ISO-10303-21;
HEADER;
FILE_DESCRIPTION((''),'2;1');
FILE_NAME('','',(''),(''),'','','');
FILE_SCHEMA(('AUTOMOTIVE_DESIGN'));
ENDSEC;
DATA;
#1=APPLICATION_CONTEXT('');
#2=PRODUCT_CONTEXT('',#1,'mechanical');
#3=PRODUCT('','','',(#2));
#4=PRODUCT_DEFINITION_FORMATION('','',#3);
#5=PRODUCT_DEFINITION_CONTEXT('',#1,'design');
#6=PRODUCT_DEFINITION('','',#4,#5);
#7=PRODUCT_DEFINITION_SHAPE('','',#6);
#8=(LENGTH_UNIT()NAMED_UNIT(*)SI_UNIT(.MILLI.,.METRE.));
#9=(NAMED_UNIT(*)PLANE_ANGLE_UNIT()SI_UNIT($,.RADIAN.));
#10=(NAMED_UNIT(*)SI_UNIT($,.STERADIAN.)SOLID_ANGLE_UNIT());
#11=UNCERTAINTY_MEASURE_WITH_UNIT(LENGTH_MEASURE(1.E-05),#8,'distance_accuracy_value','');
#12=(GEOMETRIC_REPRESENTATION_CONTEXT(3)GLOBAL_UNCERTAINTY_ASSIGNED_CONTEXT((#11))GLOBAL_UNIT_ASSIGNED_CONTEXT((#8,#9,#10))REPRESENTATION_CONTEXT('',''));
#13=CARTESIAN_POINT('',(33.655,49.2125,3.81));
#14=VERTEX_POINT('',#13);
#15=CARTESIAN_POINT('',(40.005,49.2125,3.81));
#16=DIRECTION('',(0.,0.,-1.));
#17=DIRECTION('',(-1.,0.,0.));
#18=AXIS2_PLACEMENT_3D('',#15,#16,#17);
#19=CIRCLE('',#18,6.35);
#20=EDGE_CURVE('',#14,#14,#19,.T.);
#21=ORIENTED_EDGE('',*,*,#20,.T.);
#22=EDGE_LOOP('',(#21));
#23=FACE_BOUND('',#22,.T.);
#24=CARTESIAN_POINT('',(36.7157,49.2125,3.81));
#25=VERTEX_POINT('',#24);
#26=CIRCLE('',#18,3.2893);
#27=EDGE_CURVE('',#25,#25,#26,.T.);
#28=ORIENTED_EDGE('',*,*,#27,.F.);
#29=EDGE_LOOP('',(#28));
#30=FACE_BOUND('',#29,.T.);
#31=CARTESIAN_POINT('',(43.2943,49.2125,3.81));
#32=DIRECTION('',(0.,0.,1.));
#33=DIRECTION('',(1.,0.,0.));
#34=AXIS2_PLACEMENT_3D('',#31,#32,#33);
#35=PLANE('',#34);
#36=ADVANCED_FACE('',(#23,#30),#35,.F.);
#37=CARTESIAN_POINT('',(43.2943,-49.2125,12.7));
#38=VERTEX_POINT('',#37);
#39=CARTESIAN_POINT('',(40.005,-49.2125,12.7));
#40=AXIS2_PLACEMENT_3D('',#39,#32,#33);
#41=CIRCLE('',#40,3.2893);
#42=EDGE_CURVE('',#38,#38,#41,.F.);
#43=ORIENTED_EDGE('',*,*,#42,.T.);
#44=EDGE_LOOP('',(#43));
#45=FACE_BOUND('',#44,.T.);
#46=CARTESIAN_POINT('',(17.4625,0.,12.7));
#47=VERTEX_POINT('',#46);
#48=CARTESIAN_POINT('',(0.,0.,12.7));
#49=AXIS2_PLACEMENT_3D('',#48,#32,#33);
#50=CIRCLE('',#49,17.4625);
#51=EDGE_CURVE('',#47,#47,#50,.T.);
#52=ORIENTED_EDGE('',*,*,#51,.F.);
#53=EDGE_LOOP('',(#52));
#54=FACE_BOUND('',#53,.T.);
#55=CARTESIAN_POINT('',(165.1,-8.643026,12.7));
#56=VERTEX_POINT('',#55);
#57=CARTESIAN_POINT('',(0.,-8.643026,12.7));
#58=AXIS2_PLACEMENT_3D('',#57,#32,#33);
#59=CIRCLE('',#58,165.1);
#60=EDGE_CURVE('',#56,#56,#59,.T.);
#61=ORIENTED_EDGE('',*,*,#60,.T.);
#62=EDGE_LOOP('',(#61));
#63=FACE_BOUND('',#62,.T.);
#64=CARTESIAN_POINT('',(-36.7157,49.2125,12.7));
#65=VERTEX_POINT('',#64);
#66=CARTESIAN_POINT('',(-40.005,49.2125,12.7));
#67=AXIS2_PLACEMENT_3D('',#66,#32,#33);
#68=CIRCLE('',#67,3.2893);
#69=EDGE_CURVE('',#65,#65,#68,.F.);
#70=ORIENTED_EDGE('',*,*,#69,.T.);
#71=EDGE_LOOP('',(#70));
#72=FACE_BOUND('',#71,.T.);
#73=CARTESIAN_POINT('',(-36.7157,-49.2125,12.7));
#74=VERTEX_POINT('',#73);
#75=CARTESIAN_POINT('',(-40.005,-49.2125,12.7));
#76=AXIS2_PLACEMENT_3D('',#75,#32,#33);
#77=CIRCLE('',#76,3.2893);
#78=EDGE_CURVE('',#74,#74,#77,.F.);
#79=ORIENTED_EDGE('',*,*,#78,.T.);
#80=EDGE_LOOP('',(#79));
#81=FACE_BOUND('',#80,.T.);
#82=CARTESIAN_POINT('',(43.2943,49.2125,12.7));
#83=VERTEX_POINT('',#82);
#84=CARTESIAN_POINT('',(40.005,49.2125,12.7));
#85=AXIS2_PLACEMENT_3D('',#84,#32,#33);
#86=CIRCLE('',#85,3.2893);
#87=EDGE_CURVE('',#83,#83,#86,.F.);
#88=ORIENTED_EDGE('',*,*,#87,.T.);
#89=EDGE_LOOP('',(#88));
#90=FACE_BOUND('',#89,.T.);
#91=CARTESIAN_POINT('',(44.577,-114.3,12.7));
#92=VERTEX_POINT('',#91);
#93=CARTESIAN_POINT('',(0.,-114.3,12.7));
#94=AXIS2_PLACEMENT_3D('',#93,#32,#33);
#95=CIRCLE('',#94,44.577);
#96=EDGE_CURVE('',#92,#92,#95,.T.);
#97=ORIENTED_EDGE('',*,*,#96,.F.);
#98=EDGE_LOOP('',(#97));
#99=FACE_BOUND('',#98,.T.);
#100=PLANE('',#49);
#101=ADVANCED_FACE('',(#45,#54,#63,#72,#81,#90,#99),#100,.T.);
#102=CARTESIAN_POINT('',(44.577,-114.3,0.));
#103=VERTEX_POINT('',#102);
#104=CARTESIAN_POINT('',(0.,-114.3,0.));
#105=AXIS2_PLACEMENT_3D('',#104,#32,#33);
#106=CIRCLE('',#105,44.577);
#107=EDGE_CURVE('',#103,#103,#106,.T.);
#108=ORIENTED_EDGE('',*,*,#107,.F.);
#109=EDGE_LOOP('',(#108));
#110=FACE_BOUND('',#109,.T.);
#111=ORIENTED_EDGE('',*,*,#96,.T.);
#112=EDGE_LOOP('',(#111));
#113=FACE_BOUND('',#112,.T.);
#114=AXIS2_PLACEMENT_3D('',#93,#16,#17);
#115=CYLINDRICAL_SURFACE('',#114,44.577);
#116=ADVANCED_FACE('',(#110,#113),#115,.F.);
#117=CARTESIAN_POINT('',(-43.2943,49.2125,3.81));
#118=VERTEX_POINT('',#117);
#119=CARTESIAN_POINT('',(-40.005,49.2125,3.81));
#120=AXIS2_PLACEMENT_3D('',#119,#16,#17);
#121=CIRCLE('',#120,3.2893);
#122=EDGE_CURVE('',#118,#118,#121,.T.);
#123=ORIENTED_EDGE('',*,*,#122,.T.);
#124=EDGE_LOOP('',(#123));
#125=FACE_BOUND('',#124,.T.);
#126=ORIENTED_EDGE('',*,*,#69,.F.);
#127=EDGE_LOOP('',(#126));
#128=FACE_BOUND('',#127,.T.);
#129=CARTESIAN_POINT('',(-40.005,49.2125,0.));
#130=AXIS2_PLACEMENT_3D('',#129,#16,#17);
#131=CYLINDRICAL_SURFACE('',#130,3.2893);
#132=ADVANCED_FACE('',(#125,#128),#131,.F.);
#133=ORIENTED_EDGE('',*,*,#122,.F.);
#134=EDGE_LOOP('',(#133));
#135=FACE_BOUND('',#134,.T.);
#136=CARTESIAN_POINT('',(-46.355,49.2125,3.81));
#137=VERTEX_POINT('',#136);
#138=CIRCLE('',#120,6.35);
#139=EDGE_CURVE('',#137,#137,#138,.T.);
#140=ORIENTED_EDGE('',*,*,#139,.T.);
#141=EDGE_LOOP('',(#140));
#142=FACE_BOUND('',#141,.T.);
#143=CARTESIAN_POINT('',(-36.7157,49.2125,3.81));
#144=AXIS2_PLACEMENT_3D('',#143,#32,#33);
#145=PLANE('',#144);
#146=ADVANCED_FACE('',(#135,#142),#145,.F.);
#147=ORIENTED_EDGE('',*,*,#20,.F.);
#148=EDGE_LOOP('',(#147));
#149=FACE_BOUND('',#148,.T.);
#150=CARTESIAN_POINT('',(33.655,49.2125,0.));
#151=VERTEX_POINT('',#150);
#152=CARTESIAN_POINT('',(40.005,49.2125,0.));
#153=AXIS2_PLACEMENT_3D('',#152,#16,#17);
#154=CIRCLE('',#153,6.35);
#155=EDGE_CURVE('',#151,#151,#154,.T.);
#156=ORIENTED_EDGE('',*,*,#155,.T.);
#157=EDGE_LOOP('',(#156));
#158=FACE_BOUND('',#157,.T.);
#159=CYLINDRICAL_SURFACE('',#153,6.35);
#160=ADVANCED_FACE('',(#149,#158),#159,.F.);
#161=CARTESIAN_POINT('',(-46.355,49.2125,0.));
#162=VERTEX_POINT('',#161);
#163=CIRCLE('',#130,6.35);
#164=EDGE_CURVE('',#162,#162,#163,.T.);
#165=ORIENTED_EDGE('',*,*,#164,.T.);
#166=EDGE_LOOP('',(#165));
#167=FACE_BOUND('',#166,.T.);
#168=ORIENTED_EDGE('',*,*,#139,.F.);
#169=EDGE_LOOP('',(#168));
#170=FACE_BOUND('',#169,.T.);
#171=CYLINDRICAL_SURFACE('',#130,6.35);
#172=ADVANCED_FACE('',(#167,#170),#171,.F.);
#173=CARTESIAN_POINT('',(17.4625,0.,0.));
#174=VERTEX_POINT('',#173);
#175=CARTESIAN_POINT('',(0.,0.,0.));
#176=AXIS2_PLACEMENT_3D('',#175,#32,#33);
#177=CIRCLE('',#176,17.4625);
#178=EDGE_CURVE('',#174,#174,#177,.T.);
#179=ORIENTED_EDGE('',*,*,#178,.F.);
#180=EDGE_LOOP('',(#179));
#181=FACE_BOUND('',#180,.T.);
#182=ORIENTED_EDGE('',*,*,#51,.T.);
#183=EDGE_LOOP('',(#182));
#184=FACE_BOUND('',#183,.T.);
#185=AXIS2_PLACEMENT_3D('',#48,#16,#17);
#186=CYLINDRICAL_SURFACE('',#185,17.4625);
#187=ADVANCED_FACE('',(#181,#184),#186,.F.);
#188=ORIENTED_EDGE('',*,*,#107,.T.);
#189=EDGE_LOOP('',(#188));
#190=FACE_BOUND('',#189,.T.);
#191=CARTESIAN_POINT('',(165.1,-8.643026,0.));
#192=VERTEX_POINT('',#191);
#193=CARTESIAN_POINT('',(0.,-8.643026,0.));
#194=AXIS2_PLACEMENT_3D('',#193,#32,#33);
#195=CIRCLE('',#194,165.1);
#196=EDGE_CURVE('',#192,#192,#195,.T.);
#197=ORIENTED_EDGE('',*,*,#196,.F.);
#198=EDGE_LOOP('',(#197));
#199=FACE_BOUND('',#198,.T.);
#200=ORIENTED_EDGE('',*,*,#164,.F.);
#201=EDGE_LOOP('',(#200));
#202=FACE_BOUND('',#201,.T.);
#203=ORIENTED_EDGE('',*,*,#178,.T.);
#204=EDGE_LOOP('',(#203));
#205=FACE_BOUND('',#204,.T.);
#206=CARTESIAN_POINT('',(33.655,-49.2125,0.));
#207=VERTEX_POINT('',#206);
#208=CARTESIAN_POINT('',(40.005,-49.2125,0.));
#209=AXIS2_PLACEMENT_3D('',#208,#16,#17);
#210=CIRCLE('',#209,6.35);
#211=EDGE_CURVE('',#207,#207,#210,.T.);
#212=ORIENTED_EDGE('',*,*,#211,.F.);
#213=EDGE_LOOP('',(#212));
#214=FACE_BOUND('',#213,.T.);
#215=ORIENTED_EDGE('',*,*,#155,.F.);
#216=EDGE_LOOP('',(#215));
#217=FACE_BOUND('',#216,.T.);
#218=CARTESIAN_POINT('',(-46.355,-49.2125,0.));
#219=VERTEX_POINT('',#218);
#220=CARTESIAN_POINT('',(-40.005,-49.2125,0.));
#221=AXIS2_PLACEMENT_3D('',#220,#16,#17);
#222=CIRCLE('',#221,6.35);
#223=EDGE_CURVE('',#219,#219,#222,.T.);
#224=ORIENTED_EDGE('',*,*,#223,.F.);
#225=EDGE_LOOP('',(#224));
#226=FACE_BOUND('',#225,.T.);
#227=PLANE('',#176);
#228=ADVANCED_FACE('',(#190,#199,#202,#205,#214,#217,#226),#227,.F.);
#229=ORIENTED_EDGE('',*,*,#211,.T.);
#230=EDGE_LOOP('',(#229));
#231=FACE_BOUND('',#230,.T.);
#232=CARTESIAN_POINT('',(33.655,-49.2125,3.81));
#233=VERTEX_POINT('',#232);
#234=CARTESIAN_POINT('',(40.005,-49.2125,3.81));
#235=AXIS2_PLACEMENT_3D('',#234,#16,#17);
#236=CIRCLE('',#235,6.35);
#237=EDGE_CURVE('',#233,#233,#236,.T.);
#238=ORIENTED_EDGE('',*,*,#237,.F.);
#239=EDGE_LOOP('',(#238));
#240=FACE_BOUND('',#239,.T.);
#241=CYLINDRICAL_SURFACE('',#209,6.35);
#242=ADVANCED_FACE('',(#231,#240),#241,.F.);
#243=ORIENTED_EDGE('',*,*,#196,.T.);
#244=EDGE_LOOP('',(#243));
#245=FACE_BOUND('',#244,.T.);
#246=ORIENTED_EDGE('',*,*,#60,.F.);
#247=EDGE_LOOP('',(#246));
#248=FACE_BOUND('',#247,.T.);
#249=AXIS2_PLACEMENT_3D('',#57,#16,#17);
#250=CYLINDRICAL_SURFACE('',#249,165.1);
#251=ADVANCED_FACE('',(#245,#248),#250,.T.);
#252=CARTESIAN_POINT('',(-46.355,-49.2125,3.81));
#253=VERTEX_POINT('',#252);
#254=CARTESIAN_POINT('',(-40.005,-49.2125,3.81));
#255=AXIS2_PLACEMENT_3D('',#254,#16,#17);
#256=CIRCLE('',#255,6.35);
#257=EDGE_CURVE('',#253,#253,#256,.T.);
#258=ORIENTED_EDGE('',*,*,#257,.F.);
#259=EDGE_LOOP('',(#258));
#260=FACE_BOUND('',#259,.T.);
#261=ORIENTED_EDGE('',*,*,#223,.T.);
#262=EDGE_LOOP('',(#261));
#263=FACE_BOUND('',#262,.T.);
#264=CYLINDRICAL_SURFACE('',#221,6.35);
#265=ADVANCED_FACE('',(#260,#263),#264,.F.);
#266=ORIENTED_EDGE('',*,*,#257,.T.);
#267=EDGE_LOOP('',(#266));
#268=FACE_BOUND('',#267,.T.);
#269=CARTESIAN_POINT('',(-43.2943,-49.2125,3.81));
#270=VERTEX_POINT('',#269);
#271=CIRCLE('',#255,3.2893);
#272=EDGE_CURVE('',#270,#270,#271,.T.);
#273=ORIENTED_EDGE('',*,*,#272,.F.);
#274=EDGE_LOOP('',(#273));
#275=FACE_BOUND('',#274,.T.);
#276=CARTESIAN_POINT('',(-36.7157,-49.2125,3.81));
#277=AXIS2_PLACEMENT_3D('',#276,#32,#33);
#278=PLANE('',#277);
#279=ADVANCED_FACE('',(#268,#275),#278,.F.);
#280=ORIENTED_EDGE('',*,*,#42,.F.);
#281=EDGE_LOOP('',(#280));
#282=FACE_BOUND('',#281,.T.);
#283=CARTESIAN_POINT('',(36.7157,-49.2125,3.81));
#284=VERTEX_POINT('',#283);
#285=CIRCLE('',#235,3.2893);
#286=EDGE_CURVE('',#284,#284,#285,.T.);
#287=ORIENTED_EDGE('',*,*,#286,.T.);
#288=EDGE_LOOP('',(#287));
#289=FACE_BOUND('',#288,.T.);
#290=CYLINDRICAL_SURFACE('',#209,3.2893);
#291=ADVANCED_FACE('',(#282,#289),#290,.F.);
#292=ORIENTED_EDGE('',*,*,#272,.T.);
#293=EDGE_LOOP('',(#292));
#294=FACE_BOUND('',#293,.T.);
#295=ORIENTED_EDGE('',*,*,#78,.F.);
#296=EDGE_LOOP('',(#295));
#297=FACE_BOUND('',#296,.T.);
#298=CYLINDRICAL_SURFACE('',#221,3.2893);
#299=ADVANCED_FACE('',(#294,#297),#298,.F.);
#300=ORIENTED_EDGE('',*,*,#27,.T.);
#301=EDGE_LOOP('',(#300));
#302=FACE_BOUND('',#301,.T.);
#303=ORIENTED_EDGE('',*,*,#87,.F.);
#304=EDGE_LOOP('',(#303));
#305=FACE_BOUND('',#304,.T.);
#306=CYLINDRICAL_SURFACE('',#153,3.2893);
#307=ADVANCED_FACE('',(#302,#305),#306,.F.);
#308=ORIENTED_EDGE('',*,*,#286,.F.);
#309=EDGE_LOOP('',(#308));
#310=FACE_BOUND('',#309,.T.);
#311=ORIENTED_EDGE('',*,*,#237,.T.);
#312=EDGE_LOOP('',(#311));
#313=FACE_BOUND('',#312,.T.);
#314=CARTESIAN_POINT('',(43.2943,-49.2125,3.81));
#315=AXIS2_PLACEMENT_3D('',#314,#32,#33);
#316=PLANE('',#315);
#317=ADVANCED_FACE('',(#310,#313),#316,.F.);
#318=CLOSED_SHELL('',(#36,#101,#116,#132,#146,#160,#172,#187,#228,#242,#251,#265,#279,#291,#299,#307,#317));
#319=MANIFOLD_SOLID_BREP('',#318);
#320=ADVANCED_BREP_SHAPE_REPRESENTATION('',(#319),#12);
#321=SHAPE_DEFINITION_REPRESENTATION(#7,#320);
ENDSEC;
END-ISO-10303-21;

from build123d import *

# Parameters (mm, degrees)
SKETCH1_R                                = 165.1
SKETCH1_R_2                              = 44.577
SKETCH1_R_3                              = 17.4625
BOSS_EXTRUDE1_DEPTH                      = 12.7
CBORE_FOR_1_4_HEX_HEAD_BOLT1_D           = 6.5786
CBORE_FOR_1_4_HEX_HEAD_BOLT1_CBORE_D     = 12.7
CBORE_FOR_1_4_HEX_HEAD_BOLT1_CBORE_DEPTH = 3.81


with BuildPart() as part:
    # Sketch1 → Boss-Extrude1 (new body)
    with BuildSketch(Plane.XY):
        with Locations((0, -8.643025507)):
            Circle(SKETCH1_R)
        with Locations((0, -114.3)):
            Circle(SKETCH1_R_2, mode=Mode.SUBTRACT)
        Circle(SKETCH1_R_3, mode=Mode.SUBTRACT)
    extrude(amount=BOSS_EXTRUDE1_DEPTH)

    # CBORE for 1/4 Hex Head Bolt1 (through all)
    with Locations(Plane(origin=(0, 0, 0), x_dir=(-1, 0, 0), z_dir=(0, 0, -1))):
        with Locations((-40.005, 49.2125), (40.005, 49.2125), (40.005, -49.2125), (-40.005, -49.2125)):
            CounterBoreHole(CBORE_FOR_1_4_HEX_HEAD_BOLT1_D / 2, CBORE_FOR_1_4_HEX_HEAD_BOLT1_CBORE_D / 2, CBORE_FOR_1_4_HEX_HEAD_BOLT1_CBORE_DEPTH)


solid = part.part
